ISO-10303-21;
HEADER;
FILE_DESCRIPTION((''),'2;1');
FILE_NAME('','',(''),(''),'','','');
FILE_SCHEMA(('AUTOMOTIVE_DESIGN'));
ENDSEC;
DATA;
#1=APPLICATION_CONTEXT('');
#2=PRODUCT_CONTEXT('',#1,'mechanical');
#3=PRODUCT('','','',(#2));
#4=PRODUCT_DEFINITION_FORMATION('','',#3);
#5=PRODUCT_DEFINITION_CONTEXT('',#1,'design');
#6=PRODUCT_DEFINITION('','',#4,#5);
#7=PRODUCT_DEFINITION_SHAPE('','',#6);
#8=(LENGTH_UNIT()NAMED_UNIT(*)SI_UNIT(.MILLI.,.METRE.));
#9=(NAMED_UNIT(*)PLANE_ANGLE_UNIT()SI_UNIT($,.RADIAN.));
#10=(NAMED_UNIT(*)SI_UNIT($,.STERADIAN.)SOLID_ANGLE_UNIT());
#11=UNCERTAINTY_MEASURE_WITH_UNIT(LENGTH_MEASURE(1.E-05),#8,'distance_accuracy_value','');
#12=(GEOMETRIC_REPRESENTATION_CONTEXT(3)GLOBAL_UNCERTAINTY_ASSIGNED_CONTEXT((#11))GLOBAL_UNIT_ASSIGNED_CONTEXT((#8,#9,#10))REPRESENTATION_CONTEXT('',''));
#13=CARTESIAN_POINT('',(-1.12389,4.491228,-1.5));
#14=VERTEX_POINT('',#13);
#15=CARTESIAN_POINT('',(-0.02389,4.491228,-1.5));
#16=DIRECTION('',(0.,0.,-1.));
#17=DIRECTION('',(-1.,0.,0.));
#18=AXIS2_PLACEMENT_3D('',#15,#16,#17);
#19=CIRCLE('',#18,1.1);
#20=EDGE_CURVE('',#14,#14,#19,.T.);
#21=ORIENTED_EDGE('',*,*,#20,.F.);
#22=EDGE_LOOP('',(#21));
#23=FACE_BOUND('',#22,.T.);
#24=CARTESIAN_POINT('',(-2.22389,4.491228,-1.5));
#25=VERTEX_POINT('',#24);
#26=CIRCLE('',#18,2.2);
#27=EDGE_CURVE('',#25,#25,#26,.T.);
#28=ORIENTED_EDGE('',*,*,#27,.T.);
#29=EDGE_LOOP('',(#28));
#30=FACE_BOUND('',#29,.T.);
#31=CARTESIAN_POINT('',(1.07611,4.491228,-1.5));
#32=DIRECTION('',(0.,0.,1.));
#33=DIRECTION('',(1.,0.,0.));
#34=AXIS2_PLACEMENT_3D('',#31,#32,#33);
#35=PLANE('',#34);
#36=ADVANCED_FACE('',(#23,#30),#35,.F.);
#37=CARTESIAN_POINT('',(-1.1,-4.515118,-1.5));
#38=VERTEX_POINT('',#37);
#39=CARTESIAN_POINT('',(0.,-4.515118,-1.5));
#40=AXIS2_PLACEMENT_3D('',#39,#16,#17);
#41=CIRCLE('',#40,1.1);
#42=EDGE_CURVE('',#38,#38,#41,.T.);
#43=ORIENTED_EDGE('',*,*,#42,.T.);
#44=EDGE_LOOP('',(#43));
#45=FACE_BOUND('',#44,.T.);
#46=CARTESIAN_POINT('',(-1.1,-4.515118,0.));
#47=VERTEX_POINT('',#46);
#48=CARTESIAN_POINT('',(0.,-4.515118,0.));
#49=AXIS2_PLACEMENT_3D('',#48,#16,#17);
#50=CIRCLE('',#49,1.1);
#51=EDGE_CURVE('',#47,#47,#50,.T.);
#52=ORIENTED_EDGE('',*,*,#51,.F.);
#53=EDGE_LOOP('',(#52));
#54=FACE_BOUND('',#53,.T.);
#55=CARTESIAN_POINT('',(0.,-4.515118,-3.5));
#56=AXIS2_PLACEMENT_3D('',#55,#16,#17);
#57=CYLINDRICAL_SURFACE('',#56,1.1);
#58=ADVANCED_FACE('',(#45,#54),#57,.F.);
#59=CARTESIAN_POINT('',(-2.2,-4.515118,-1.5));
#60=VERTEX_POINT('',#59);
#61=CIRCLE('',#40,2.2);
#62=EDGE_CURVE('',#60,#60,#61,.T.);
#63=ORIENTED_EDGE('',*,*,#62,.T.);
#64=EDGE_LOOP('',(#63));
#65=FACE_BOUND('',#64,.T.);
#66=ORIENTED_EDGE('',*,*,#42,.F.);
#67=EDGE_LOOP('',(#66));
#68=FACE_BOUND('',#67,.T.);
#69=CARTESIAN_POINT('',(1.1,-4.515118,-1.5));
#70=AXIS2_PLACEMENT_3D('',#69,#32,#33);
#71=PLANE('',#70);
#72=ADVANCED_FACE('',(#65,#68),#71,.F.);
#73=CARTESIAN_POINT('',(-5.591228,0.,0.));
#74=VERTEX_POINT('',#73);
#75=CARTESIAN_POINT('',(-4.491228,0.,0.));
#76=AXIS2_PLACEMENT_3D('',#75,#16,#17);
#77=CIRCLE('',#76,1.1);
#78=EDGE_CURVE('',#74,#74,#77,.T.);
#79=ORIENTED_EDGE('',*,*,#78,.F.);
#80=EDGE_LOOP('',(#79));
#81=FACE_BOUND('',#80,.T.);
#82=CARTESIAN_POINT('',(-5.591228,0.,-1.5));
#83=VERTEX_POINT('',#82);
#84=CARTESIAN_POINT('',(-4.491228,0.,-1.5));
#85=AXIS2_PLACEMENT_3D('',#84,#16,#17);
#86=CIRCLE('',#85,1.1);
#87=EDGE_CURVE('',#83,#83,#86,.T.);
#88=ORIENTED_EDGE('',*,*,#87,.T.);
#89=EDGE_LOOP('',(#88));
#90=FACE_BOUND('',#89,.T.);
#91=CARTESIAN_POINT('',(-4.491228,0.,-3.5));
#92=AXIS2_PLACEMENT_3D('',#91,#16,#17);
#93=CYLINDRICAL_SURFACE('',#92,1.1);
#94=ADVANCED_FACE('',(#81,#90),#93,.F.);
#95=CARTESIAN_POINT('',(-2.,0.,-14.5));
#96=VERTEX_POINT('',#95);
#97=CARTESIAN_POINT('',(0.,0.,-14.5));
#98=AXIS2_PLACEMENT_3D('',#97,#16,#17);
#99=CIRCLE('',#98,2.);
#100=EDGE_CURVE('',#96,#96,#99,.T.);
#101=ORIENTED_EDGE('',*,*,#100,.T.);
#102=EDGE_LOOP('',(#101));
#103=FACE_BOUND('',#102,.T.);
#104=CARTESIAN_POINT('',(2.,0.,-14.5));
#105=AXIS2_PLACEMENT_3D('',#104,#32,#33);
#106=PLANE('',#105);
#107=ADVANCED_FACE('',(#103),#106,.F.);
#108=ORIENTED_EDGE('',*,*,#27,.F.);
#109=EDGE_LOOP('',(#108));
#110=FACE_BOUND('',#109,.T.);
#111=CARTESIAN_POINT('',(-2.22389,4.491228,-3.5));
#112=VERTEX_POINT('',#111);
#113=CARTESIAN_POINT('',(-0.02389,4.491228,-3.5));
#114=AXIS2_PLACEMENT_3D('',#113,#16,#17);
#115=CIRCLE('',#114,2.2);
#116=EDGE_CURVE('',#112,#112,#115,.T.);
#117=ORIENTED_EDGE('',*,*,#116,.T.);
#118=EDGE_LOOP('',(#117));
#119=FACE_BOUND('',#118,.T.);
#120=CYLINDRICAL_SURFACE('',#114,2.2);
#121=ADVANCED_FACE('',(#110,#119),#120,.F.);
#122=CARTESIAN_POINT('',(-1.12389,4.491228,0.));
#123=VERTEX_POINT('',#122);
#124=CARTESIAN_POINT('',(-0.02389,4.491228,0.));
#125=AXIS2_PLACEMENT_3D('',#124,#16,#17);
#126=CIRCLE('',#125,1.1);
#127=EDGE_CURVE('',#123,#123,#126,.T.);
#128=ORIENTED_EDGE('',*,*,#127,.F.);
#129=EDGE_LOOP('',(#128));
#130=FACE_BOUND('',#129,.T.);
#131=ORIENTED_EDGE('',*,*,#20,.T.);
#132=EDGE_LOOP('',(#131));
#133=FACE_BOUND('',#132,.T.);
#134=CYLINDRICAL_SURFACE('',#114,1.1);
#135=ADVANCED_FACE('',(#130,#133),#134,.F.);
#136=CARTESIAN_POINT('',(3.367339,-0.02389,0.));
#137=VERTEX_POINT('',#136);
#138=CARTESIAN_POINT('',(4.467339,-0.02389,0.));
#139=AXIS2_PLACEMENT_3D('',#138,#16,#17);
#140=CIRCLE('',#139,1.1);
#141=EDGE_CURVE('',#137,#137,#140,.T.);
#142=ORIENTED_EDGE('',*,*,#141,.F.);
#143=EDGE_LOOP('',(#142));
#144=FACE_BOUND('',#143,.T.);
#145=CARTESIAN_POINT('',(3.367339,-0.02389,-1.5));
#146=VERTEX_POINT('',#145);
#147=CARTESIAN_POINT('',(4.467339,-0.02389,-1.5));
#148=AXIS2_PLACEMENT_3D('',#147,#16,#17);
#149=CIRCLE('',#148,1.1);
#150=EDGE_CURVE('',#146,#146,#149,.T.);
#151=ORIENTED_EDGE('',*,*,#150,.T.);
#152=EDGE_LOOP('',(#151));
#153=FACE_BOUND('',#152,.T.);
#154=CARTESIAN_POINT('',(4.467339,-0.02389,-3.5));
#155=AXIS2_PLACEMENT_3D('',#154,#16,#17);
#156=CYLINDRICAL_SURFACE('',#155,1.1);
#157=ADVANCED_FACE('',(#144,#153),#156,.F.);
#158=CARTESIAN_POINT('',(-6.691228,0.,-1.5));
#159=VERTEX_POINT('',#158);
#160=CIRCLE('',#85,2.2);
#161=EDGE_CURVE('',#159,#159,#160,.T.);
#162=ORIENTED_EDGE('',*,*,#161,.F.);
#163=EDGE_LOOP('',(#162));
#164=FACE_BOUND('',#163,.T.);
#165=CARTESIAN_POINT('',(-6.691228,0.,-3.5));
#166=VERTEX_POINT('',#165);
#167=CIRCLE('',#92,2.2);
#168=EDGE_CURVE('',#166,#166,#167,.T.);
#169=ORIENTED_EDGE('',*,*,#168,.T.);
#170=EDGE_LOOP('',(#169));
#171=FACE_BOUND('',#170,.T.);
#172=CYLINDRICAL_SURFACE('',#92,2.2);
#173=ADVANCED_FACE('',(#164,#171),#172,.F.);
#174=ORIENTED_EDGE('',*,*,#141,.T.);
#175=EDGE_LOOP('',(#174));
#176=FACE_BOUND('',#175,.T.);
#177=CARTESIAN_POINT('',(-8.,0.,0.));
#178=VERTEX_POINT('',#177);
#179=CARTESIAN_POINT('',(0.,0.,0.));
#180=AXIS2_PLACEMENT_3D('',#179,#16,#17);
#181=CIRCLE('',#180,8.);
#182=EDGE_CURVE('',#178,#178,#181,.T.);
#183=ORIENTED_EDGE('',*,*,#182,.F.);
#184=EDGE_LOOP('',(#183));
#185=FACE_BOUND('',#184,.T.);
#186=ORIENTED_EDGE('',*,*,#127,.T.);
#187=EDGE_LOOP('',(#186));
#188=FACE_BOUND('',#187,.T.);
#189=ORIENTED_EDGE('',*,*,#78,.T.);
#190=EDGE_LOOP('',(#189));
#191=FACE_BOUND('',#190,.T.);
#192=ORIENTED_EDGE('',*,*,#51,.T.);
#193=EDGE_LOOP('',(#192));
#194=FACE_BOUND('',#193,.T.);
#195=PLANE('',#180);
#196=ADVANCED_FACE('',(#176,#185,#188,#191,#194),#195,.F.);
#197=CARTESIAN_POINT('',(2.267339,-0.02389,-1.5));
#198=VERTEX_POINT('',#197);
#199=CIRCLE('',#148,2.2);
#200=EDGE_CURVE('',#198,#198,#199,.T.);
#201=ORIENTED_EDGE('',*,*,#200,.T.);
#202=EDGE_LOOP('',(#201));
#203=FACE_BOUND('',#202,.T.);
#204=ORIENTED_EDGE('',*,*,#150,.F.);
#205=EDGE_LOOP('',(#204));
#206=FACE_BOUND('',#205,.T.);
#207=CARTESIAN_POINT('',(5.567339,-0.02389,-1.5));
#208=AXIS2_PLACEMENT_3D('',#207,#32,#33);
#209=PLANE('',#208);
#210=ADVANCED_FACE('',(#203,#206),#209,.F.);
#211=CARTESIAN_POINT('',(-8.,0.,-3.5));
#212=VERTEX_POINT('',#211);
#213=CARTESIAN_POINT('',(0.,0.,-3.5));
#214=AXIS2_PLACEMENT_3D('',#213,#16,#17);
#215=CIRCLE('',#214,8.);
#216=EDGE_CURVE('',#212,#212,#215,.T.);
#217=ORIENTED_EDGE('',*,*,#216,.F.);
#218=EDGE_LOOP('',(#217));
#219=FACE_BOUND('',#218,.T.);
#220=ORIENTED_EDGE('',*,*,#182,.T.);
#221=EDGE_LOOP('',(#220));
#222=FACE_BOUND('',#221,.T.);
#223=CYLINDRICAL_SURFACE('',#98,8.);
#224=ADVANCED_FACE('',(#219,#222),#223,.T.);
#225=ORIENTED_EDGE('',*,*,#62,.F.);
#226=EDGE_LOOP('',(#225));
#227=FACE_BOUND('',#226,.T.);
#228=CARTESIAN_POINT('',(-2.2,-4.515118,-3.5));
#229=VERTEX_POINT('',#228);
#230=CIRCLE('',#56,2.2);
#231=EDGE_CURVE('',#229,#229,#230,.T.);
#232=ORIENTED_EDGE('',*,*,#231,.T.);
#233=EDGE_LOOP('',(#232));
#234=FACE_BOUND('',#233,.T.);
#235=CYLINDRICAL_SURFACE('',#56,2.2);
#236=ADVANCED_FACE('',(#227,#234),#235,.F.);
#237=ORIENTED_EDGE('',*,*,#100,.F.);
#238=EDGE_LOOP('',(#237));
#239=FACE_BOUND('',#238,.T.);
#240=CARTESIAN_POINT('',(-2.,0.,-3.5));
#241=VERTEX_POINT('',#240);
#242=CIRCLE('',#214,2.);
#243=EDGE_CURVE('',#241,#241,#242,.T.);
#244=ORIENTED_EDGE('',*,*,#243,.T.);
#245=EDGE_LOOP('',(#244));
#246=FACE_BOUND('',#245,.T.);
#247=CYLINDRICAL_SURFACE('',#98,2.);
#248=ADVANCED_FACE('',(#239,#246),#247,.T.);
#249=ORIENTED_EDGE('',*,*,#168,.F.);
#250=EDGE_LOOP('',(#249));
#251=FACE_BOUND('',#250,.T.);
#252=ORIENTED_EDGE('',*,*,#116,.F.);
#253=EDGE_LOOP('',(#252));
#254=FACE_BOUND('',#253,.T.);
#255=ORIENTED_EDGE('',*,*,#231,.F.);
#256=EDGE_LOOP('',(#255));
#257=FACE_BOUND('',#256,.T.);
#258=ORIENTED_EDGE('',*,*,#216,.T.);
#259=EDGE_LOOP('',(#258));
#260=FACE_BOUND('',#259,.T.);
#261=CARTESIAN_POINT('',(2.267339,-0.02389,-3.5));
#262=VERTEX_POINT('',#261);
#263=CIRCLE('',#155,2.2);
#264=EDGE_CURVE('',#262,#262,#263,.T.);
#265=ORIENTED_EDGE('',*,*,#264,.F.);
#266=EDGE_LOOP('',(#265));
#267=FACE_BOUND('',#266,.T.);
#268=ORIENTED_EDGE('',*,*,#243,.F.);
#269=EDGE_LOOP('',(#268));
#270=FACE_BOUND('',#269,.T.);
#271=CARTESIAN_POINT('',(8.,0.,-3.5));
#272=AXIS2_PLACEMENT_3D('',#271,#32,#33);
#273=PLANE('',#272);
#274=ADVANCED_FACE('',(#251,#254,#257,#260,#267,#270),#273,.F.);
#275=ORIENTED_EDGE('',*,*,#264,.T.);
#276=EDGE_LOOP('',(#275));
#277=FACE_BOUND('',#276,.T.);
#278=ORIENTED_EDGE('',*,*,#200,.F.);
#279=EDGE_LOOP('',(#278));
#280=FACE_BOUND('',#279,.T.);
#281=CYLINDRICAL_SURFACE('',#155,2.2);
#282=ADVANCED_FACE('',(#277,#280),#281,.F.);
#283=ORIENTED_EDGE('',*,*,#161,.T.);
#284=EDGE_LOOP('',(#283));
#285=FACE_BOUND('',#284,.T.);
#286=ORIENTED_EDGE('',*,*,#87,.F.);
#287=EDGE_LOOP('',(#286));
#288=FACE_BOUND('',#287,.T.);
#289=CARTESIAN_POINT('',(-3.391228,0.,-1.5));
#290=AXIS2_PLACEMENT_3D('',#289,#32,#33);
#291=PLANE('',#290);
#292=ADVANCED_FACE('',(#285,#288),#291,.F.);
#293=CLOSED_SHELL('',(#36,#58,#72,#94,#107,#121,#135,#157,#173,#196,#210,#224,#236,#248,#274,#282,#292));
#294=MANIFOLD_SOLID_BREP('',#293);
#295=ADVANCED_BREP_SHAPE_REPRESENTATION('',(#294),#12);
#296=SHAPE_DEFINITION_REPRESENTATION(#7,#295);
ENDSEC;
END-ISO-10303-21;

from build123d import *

# Parameters (mm, degrees)
CBORE_FOR_M2_SHCS2_D           = 2.2
CBORE_FOR_M2_SHCS2_CBORE_D     = 4.4
CBORE_FOR_M2_SHCS2_CBORE_DEPTH = 2


with BuildPart() as part:
    # Sketch1 → Revolve1 (revolve)
    with BuildSketch(Plane(origin=(0, 0, 0), x_dir=(1, 0, 0), z_dir=(0, 1, 0))):
        Polygon((0, 0), (8, 0), (8, 3.5), (2, 3.5), (2, 14.5), (0, 14.5), align=None)
    revolve(axis=Axis((0, 0, -14.5), (0, 0, 1)))

    # CBORE for M2 SHCS2 (through all)
    with Locations(Plane(origin=(0, 0, -3.5), x_dir=(-1, 0, 0), z_dir=(0, 0, -1))):
        with Locations((4.49122807, 0), (0.023889511, 4.49122807), (-4.467338559, -0.023889511), (0, -4.515117581)):
            CounterBoreHole(CBORE_FOR_M2_SHCS2_D / 2, CBORE_FOR_M2_SHCS2_CBORE_D / 2, CBORE_FOR_M2_SHCS2_CBORE_DEPTH)


solid = part.part
